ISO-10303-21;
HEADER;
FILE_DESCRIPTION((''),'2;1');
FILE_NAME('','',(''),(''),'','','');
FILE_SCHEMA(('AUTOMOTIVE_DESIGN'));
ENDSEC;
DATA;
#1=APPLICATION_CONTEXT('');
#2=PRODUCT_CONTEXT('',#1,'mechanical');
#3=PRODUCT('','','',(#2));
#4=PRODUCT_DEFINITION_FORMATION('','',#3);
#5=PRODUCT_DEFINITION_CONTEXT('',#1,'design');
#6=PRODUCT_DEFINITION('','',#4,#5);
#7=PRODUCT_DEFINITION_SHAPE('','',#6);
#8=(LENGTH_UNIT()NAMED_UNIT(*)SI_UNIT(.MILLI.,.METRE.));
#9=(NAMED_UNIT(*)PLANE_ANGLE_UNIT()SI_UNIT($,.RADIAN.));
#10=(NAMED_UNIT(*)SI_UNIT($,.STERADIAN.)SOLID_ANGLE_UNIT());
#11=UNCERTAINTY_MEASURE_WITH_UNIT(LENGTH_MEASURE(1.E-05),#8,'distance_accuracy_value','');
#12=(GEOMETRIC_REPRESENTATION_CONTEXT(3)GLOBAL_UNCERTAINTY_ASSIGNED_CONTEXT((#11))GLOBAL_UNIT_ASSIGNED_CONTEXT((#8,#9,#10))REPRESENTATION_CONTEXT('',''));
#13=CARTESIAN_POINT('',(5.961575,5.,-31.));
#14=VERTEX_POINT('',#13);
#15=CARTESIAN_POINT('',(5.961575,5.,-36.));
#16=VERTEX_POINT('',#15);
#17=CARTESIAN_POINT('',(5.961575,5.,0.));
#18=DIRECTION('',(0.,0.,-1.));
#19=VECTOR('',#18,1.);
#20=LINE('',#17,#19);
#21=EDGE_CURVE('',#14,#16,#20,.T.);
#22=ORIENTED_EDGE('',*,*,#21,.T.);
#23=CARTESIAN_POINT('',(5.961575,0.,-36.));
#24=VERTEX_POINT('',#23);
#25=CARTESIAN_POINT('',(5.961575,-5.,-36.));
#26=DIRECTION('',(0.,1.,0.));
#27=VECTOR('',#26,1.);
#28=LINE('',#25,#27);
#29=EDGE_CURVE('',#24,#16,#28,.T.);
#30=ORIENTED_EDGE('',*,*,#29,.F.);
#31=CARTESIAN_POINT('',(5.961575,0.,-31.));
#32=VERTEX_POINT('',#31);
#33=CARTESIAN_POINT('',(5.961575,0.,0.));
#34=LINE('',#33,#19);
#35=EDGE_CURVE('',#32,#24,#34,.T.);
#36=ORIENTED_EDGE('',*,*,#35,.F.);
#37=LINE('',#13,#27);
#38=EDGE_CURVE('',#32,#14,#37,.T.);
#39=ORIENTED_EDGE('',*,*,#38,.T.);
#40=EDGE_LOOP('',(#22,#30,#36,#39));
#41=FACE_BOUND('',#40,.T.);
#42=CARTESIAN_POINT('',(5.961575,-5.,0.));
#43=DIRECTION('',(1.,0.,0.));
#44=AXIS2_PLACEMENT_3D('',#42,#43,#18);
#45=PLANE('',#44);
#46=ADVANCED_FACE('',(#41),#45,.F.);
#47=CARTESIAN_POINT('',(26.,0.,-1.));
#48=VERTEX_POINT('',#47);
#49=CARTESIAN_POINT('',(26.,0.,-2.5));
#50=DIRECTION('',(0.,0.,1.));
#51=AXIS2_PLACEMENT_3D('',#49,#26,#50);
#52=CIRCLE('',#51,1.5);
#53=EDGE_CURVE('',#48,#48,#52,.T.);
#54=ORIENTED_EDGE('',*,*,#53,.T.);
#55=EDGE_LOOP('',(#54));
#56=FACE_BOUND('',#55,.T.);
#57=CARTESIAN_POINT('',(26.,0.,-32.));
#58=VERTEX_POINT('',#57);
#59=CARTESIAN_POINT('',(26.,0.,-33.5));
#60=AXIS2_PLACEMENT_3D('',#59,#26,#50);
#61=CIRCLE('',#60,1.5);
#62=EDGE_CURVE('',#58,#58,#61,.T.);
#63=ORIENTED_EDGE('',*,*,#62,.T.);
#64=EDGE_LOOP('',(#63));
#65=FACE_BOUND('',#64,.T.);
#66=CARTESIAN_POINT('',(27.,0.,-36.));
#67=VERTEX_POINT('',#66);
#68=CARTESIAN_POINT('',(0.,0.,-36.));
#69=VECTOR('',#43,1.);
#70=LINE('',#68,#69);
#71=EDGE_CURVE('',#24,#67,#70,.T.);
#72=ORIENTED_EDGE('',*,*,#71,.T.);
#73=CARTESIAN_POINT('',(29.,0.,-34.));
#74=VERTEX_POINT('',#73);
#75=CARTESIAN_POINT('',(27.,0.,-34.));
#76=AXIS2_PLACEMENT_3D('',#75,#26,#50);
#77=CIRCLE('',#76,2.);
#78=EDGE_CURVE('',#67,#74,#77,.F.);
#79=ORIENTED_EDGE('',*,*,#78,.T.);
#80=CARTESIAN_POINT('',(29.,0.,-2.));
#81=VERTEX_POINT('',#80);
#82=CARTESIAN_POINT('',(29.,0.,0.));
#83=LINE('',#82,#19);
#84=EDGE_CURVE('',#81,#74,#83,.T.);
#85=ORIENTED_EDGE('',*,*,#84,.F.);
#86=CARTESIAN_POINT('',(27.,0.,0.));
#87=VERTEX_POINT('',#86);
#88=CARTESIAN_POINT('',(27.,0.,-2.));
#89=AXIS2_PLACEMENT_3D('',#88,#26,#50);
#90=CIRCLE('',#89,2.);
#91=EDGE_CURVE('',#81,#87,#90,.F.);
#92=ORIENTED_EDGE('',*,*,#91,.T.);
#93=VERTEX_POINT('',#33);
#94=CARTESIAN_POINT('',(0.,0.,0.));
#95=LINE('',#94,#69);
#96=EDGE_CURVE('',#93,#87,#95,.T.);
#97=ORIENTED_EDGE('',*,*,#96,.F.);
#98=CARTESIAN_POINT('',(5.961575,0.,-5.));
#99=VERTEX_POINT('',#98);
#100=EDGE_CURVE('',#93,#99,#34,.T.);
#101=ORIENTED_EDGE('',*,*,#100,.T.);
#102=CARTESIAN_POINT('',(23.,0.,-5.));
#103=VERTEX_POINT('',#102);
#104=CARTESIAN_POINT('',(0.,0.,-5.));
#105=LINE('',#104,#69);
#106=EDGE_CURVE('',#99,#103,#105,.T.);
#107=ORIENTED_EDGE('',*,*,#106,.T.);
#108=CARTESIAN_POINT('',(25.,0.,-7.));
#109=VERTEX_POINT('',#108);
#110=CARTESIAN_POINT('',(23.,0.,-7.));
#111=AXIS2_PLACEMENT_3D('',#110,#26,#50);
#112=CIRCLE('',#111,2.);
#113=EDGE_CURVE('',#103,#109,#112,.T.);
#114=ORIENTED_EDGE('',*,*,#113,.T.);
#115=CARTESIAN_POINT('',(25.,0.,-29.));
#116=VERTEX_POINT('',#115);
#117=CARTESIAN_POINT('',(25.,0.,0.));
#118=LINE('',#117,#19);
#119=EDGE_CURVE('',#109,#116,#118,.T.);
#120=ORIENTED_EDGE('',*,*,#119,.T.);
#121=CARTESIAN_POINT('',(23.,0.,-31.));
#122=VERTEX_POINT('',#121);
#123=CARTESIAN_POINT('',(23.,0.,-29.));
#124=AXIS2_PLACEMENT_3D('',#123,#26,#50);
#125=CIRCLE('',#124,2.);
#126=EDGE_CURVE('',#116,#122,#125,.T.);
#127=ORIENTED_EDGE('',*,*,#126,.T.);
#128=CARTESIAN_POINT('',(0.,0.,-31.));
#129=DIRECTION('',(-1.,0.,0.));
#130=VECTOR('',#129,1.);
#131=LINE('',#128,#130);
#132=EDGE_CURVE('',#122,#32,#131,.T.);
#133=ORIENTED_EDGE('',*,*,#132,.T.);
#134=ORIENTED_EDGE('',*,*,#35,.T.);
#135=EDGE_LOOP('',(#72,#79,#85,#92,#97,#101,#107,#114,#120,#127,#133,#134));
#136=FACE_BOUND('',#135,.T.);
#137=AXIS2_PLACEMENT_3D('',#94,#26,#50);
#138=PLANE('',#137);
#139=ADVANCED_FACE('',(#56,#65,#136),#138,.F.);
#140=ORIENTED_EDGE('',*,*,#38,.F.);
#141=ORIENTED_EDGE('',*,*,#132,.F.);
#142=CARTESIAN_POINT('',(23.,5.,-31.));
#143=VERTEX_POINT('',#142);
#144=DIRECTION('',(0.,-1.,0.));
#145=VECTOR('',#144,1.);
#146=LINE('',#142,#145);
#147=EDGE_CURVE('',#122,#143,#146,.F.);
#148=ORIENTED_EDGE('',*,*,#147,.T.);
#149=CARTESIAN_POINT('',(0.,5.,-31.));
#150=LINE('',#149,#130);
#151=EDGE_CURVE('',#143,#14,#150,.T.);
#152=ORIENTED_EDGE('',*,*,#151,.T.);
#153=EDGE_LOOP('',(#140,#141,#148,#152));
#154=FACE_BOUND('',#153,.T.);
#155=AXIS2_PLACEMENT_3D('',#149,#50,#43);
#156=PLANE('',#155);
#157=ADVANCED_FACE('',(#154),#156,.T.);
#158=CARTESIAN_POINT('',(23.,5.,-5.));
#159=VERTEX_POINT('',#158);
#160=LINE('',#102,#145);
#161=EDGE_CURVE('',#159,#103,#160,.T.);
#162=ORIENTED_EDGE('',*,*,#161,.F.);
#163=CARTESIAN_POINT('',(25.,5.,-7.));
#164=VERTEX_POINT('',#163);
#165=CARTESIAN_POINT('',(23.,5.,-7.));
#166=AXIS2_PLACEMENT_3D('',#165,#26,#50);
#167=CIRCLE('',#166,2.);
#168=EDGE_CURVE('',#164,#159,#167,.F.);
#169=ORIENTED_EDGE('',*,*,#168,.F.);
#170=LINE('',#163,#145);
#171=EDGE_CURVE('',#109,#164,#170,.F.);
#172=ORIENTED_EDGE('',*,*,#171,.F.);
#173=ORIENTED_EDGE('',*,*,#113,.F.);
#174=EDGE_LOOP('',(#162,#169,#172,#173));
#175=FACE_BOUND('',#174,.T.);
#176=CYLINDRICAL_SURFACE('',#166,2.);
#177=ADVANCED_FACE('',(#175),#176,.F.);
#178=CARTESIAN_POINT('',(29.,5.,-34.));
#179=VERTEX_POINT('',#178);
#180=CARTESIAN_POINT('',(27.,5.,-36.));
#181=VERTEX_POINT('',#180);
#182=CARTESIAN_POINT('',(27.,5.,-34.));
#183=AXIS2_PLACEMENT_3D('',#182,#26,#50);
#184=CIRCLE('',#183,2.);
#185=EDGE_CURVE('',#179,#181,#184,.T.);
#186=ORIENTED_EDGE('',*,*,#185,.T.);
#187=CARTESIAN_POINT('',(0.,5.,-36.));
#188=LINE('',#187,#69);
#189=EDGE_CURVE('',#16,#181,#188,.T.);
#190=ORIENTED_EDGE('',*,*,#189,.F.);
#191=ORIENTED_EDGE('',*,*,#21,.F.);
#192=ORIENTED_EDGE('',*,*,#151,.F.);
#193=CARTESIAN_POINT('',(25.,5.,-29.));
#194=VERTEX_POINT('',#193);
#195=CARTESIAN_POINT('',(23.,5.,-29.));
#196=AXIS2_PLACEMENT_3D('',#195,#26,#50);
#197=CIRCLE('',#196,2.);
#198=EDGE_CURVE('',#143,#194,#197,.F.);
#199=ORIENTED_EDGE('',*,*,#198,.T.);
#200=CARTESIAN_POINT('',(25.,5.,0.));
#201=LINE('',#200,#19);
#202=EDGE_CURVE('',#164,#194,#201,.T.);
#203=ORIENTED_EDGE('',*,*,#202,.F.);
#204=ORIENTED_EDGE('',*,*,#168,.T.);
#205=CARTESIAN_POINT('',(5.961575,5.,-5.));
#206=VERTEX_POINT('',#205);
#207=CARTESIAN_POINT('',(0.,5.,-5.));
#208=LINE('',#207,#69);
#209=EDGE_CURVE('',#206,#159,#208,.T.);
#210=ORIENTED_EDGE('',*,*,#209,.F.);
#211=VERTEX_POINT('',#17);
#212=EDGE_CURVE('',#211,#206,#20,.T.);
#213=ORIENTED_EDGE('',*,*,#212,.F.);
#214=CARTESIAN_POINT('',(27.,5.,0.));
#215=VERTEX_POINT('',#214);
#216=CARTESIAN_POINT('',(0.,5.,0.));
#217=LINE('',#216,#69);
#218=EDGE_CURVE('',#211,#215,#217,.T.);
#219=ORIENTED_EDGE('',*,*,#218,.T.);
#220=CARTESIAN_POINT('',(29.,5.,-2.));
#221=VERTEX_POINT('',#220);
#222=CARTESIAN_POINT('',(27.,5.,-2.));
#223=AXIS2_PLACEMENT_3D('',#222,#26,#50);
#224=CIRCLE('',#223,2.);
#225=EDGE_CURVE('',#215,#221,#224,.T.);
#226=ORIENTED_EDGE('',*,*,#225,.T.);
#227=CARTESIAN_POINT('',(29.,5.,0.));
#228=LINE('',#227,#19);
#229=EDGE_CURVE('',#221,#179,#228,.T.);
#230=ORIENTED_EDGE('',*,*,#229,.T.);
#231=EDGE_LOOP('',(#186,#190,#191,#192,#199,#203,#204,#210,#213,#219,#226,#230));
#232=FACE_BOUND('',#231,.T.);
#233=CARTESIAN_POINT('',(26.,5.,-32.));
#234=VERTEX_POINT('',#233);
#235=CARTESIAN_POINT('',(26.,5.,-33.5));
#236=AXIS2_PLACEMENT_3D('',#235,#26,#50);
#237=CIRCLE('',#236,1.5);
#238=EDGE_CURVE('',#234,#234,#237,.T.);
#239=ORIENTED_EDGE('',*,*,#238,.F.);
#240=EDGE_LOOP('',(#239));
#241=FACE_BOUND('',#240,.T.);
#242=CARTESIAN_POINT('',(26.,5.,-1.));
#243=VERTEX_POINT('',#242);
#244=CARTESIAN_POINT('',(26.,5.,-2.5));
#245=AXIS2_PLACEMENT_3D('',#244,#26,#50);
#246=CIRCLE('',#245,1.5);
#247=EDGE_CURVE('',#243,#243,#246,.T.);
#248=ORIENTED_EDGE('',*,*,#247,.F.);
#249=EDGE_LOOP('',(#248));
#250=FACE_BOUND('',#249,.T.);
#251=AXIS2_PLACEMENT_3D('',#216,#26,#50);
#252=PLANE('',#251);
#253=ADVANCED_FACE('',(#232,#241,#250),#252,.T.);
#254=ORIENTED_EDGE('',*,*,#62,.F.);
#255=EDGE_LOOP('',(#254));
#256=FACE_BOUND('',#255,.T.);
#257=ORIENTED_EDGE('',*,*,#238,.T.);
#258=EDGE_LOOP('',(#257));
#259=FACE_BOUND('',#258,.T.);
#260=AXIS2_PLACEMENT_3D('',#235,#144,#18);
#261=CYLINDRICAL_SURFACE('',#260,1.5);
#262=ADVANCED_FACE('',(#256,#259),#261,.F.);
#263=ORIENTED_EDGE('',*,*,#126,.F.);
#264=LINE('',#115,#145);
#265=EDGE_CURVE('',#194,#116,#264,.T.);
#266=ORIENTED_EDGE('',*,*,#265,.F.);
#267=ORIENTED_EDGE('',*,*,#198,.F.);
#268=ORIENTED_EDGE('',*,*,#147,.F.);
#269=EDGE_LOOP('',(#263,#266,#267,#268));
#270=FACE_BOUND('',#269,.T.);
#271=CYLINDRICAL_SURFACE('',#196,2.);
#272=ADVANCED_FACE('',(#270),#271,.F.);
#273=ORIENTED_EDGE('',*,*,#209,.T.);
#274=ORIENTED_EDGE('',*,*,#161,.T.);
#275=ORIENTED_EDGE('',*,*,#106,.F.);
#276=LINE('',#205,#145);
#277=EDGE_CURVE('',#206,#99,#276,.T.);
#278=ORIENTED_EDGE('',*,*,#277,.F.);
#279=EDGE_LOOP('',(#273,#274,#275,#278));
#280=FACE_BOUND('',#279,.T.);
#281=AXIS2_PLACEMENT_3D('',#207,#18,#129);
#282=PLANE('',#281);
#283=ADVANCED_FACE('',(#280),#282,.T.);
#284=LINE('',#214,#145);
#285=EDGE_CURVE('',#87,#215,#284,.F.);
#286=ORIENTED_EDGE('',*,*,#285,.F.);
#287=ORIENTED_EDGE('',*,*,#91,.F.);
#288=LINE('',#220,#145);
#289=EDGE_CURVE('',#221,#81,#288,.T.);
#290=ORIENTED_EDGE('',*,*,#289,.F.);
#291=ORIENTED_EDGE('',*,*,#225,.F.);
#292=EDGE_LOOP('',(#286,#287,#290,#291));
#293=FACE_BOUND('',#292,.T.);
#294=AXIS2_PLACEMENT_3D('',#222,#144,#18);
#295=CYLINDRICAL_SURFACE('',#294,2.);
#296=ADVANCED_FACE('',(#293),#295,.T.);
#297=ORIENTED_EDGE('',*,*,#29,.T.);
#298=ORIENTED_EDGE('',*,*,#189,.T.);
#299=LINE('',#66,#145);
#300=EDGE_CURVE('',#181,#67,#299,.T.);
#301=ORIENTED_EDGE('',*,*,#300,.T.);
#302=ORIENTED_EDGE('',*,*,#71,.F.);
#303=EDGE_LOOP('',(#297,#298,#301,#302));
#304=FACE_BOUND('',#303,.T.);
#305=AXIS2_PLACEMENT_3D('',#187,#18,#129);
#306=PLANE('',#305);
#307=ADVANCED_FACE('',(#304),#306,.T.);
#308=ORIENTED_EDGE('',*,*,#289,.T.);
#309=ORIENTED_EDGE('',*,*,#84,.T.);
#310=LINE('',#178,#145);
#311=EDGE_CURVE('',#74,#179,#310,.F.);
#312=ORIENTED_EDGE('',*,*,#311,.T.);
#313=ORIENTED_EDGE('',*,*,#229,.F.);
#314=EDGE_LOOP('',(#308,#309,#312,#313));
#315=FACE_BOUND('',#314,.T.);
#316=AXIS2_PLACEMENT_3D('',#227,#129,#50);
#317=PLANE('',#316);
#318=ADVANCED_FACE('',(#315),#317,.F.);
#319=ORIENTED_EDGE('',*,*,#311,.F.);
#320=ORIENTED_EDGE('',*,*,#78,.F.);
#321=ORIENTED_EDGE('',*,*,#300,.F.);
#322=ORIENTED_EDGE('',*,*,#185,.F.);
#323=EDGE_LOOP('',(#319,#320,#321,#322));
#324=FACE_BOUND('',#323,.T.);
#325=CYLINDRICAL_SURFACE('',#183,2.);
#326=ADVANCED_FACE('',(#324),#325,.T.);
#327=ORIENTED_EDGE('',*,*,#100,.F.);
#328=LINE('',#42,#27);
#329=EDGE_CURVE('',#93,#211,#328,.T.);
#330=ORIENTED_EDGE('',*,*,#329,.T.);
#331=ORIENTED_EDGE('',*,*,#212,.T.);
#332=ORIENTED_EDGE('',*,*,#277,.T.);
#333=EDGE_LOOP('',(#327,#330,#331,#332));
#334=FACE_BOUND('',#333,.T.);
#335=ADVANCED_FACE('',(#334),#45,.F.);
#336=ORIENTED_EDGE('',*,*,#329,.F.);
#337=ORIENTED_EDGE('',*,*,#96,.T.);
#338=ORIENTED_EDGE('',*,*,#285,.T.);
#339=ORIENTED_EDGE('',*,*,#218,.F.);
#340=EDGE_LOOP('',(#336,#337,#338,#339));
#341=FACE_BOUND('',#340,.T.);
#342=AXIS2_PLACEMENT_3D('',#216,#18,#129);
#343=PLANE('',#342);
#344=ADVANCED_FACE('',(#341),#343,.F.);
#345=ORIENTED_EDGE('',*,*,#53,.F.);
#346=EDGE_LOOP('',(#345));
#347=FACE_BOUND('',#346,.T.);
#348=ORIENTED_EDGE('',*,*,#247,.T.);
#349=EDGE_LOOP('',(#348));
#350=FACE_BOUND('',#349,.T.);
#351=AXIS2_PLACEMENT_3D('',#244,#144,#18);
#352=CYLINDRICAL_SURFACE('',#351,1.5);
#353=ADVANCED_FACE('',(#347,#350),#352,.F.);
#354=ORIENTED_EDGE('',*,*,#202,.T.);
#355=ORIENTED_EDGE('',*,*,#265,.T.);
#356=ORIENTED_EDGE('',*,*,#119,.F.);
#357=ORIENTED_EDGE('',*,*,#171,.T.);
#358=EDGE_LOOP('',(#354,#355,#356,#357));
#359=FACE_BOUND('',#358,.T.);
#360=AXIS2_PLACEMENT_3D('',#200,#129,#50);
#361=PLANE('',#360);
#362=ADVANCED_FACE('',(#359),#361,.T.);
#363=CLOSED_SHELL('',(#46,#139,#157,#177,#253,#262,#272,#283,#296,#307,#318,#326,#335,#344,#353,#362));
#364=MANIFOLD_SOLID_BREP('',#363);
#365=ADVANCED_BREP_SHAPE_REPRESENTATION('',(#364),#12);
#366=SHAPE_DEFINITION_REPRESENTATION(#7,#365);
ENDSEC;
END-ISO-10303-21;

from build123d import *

# Parameters (mm, degrees)
SKETCH1_R           = 1.5
BOSS_EXTRUDE1_DEPTH = 5
FILLET1_R           = 2
SKETCH2_W           = 7.277082667
SKETCH2_H           = 36
CUT_EXTRUDE1_DEPTH  = 10


with BuildPart() as part:
    # Sketch1 → Boss-Extrude1 (new body)
    with BuildSketch(Plane(origin=(0, 0, 0), x_dir=(1, 0, 0), z_dir=(0, 1, 0))):
        Polygon((0, 31), (0, 36), (29, 36), (29, 0), (0, 0), (0, 5), (25, 5), (25, 31), align=None)
        with Locations((26, 2.5)):
            Circle(SKETCH1_R, mode=Mode.SUBTRACT)
        with Locations((26, 33.5)):
            Circle(SKETCH1_R, mode=Mode.SUBTRACT)
        with Locations((3, 33.5)):
            Circle(SKETCH1_R, mode=Mode.SUBTRACT)
        with Locations((3, 2.5)):
            Circle(SKETCH1_R, mode=Mode.SUBTRACT)
    extrude(amount=BOSS_EXTRUDE1_DEPTH)

    # Fillet1
    fillet1_edges = [part.edges().sort_by_distance(p)[0] for p in [
        (0, 2.5, -36),
        (29, 2.5, -36),
        (29, 2.5, 0),
        (0, 2.5, 0),
        (0, 2.5, -5),
        (25, 2.5, -5),
        (25, 2.5, -31),
        (0, 2.5, -31),
    ]]
    fillet(fillet1_edges, radius=FILLET1_R)

    # Sketch2 → Cut-Extrude1 (cut)
    with BuildSketch(Plane(origin=(0, 5, 0), x_dir=(1, 0, 0), z_dir=(0, 1, 0))):
        with Locations((2.323033499, 18)):
            Rectangle(SKETCH2_W, SKETCH2_H)
    extrude(amount=-CUT_EXTRUDE1_DEPTH, mode=Mode.SUBTRACT)


solid = part.part
